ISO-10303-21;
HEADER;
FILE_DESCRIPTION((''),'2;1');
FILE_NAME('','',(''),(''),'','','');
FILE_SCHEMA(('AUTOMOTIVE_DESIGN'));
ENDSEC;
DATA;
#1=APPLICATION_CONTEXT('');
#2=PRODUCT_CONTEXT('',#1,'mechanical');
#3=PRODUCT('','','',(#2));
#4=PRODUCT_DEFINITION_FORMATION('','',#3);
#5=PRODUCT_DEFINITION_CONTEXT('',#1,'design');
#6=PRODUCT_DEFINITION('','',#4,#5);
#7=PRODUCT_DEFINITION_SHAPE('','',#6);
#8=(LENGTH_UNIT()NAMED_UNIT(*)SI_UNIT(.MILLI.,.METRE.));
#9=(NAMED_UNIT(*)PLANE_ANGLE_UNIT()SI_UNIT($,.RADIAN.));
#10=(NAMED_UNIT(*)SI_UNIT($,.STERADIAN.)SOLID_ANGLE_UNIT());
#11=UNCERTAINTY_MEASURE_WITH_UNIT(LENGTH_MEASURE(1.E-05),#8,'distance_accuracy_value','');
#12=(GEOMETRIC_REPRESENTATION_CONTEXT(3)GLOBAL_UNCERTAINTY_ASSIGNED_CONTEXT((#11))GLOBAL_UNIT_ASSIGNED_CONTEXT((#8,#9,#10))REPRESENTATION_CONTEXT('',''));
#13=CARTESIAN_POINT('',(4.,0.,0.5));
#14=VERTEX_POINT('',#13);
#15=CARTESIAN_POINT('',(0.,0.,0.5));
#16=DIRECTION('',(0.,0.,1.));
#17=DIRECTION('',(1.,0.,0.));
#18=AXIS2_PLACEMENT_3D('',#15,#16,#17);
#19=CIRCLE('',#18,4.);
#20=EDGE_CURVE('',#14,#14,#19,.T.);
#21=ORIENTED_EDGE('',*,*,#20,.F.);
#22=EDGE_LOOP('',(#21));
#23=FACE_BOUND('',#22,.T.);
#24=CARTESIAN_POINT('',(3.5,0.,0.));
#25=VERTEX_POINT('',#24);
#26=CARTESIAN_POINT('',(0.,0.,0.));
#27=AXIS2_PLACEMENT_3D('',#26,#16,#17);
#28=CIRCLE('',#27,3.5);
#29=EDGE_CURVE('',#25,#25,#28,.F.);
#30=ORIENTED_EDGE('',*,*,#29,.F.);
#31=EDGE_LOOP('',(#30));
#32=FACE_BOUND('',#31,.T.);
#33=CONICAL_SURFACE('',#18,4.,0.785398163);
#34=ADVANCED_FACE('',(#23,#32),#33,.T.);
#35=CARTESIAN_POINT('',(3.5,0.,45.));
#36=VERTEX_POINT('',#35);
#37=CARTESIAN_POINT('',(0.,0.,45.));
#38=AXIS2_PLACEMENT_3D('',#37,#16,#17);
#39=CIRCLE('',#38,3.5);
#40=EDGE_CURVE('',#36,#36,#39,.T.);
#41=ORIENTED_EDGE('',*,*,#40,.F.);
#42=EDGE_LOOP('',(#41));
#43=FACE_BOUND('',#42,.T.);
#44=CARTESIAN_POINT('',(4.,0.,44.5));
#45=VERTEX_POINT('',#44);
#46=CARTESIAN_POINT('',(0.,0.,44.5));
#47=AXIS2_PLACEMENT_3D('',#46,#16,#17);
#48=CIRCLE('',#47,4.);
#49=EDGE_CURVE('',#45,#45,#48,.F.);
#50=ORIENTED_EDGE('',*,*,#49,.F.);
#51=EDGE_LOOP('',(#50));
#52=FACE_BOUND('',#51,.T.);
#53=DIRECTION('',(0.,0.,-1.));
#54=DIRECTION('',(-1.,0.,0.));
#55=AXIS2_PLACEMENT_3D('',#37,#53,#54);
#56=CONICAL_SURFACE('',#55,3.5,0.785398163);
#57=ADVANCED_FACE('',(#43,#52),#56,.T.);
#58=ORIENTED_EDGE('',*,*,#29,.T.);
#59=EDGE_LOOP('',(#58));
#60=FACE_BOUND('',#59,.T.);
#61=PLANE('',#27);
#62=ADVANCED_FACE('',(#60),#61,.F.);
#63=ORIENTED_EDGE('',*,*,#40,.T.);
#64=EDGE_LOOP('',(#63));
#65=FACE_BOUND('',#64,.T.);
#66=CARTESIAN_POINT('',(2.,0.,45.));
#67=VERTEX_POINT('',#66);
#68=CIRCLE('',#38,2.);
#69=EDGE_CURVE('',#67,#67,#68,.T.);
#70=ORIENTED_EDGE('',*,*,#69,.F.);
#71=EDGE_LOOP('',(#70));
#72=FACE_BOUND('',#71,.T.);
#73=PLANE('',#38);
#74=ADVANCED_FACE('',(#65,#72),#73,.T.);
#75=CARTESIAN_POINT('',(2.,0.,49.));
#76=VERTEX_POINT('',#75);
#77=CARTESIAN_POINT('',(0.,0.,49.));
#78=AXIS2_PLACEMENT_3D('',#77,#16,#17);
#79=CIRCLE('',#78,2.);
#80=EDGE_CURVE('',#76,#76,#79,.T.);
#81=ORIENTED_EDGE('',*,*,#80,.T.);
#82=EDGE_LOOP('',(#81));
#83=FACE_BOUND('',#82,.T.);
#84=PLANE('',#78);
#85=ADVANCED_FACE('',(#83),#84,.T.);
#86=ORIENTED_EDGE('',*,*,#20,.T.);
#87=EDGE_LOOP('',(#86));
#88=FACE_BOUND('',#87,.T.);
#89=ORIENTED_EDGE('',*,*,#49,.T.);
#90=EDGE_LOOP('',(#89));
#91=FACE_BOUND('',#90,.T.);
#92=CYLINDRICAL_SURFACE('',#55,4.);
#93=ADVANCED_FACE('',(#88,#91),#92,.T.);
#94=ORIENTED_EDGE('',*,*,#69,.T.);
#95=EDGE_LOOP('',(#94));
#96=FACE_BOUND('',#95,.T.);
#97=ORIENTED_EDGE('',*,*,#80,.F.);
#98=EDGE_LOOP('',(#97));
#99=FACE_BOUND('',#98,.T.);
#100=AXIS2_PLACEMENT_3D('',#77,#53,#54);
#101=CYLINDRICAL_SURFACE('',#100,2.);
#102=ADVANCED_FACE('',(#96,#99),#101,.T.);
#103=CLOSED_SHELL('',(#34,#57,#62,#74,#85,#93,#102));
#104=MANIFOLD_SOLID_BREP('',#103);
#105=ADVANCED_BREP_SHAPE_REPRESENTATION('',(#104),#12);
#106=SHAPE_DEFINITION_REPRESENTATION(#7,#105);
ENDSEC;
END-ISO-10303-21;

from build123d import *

# Parameters (mm, degrees)
ESQUISSE1_R          = 4
BASE_EXTRUSION_DEPTH = 45
CHANFREIN1_SIZE      = 0.5
ESQUISSE2_R          = 2
BOSS_EXTRU_1_DEPTH   = 4


with BuildPart() as part:
    # Esquisse1 → Base-Extrusion (new body)
    with BuildSketch(Plane.XY):
        Circle(ESQUISSE1_R)
    extrude(amount=BASE_EXTRUSION_DEPTH)

    # Chanfrein1
    chanfrein1_edges = [part.edges().sort_by_distance(p)[0] for p in [
        (-4, 0, 0),
        (-4, 0, 45),
    ]]
    chamfer(chanfrein1_edges, length=CHANFREIN1_SIZE)

    # Esquisse2 → Boss.-Extru.1 (add)
    with BuildSketch(Plane.XY.offset(45)):
        Circle(ESQUISSE2_R)
    extrude(amount=BOSS_EXTRU_1_DEPTH)


solid = part.part
